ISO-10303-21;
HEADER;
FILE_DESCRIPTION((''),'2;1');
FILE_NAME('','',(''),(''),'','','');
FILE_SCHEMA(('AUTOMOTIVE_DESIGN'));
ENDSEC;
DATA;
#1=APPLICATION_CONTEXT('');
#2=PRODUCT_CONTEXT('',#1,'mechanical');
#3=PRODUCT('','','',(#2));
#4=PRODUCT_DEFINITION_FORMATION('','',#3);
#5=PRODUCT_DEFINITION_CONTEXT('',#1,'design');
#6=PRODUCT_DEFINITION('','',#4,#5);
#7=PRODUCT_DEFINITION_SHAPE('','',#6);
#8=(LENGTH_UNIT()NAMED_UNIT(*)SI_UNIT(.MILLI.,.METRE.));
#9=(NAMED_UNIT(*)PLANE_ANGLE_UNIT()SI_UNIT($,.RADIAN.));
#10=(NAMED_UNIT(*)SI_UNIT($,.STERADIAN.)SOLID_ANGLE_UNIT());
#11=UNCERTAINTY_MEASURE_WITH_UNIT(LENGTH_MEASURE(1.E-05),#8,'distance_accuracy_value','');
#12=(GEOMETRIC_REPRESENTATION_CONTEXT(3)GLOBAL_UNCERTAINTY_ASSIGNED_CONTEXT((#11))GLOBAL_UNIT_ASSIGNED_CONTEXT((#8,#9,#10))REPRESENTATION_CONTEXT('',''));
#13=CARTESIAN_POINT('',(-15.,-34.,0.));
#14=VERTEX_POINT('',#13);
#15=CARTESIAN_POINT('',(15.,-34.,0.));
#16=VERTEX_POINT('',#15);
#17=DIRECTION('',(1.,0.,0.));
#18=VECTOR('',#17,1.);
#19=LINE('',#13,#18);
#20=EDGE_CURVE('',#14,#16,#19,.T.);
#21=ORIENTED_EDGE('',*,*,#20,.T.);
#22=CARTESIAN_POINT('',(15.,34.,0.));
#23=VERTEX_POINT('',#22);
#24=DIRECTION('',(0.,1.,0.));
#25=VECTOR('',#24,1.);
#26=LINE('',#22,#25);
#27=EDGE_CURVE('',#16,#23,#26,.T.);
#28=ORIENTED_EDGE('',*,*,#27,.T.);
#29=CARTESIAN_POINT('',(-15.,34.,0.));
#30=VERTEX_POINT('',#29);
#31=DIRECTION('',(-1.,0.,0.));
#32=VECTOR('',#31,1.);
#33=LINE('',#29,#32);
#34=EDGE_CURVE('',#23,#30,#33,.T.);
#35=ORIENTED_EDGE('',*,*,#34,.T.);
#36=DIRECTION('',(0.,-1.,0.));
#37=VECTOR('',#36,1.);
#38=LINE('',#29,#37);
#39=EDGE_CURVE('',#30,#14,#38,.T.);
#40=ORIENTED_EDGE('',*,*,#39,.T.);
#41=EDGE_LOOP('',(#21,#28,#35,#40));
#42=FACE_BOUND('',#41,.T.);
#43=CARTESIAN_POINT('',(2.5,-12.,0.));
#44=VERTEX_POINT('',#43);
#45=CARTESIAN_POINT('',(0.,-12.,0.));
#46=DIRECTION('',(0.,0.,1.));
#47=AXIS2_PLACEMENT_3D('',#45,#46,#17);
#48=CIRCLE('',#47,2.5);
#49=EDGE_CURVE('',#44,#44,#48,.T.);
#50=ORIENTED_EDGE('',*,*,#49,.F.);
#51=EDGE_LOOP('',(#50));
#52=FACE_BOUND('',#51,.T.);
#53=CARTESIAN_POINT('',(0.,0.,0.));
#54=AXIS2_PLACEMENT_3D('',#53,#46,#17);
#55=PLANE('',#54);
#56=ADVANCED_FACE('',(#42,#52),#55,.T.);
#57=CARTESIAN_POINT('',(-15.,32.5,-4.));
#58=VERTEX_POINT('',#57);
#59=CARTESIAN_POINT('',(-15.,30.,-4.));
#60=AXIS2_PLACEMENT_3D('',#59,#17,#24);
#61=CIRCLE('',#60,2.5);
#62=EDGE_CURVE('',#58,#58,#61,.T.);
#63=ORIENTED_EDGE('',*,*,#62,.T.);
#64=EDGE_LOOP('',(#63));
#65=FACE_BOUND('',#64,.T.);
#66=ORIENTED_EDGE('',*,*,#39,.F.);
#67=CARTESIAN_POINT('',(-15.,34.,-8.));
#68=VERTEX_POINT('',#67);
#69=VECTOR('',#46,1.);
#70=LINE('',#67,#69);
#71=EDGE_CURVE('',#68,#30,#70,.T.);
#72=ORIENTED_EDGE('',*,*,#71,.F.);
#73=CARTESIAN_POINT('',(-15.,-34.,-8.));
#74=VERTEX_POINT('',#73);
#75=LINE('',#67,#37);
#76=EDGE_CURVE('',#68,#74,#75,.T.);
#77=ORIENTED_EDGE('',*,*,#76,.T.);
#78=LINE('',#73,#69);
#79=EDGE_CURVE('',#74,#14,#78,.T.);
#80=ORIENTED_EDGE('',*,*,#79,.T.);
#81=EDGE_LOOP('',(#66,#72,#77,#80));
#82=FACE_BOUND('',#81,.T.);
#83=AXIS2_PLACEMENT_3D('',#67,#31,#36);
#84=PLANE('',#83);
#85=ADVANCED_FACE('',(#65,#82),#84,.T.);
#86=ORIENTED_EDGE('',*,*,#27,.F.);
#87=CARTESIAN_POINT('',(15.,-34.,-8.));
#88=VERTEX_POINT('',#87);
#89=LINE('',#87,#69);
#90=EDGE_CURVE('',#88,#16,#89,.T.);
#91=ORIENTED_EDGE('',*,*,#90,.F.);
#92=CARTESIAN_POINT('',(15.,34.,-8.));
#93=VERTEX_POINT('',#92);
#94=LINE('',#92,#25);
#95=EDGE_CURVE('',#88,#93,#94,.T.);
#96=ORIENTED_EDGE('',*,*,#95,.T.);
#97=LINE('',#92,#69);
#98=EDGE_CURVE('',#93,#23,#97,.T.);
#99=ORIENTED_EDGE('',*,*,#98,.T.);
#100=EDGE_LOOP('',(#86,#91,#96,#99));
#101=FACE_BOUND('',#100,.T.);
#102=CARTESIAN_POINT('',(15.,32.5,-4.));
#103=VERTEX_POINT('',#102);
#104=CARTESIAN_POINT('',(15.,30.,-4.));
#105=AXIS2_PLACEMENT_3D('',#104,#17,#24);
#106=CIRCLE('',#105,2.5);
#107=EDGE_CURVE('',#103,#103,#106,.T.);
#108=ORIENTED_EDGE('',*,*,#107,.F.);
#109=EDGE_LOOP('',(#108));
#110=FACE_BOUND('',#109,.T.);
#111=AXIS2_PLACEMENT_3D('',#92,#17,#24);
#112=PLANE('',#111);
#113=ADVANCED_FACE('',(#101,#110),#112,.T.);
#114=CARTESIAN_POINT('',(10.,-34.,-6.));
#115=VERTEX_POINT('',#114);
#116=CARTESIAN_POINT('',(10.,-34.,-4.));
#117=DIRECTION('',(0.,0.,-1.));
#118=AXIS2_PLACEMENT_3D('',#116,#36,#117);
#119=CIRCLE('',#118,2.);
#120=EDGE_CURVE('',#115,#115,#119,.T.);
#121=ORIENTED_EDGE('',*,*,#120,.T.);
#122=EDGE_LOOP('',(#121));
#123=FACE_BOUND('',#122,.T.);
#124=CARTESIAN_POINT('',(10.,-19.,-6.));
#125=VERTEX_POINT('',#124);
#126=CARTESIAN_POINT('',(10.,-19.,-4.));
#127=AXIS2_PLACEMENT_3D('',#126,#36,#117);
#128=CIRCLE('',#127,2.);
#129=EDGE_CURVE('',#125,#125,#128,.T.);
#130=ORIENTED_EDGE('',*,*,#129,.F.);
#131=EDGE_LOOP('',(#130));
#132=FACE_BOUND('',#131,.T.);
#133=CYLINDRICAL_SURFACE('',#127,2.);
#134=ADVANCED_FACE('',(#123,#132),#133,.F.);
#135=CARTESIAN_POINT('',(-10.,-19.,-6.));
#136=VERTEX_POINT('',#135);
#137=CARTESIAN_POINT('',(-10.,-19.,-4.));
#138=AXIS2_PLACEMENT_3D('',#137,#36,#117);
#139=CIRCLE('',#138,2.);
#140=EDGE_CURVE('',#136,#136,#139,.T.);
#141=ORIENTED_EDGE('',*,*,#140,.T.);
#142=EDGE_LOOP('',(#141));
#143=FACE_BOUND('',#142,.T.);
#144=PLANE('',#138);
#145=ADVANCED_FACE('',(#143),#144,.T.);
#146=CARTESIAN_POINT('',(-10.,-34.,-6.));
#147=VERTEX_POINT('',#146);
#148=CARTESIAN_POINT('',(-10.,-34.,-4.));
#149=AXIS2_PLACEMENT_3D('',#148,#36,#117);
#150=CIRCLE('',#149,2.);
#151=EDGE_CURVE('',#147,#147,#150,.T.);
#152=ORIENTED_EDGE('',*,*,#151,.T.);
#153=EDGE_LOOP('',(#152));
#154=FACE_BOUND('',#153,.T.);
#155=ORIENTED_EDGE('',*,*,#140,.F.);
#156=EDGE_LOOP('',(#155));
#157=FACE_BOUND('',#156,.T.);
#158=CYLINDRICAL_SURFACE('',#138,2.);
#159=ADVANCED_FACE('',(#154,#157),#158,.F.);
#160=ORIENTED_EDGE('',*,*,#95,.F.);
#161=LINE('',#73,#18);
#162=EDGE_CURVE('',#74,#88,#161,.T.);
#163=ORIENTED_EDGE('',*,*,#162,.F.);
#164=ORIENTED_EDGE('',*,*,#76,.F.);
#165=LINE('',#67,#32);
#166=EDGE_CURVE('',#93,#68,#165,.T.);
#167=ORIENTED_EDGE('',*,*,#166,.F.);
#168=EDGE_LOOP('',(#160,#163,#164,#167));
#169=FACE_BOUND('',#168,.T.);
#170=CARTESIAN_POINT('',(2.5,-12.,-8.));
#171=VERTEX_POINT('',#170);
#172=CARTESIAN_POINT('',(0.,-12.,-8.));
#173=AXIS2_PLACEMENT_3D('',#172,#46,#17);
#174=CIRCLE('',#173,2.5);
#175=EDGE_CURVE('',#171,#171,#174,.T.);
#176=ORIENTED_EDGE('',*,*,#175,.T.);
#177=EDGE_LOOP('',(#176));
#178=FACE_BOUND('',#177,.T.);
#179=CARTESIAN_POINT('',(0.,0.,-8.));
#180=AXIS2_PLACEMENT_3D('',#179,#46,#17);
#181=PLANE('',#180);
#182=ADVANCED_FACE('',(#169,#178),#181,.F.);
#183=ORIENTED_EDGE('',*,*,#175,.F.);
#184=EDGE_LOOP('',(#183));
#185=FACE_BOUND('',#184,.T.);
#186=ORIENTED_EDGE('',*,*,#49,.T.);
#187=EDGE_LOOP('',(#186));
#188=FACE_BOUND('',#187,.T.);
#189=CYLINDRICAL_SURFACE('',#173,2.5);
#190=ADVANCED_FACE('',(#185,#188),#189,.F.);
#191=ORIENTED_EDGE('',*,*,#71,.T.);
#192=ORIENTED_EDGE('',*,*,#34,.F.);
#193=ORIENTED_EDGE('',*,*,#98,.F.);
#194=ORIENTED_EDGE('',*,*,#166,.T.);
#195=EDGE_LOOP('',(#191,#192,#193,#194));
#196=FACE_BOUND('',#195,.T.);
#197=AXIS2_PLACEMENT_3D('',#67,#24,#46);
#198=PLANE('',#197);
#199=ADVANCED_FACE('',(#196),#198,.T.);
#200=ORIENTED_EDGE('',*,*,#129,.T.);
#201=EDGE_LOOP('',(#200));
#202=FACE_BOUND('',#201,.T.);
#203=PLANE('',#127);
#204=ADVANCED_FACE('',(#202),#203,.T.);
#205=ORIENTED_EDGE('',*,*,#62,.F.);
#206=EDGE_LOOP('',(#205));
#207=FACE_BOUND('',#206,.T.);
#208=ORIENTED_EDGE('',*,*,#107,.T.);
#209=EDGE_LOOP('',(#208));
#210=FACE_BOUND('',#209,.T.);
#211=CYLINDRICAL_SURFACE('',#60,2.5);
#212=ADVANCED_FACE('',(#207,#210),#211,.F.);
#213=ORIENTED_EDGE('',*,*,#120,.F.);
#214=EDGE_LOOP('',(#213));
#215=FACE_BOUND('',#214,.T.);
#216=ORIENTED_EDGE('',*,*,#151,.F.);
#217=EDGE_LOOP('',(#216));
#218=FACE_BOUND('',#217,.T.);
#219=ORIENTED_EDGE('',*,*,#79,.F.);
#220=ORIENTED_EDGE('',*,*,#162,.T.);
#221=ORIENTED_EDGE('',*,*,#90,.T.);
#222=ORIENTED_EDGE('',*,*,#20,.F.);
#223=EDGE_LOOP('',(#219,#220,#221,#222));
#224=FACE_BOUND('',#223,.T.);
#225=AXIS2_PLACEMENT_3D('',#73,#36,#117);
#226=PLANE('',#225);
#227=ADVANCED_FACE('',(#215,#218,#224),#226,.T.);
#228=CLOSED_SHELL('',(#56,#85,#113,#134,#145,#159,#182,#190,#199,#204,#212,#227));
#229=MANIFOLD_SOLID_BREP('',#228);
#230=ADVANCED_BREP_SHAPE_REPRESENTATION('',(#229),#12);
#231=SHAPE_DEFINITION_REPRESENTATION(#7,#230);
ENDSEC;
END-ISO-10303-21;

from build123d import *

# Parameters (mm, degrees)
CROQUIS1_W              = 30
CROQUIS1_H              = 68
SALIENTE_EXTRUIR1_DEPTH = 8
CROQUIS2_R              = 2.5
CORTAR_EXTRUIR1_DEPTH   = 47.043457733
CROQUIS3_R              = 2
CORTAR_EXTRUIR2_DEPTH   = 15
CROQUIS4_R              = 2.5
CORTAR_EXTRUIR3_DEPTH   = 39.013155617


with BuildPart() as part:
    # Croquis1 → Saliente-Extruir1 (new body)
    with BuildSketch(Plane.XY):
        Rectangle(CROQUIS1_W, CROQUIS1_H)
    extrude(amount=-SALIENTE_EXTRUIR1_DEPTH)

    # Croquis2 → Cortar-Extruir1 (cut, through all)
    with BuildSketch(Plane(origin=(15, 0, 0), x_dir=(0, 0, -1), z_dir=(1, 0, 0))):
        with Locations(Location((4, 30, 0), (0, 0, 90))):
            Circle(CROQUIS2_R)
    extrude(amount=-CORTAR_EXTRUIR1_DEPTH, mode=Mode.SUBTRACT)

    # Croquis3 → Cortar-Extruir2 (cut)
    with BuildSketch(Plane.XZ.offset(34)):
        with Locations(Location((-10, -4, 0), (0, 0, 270))):
            Circle(CROQUIS3_R)
        with Locations(Location((10, -4, 0), (0, 0, 270))):
            Circle(CROQUIS3_R)
    extrude(amount=-CORTAR_EXTRUIR2_DEPTH, mode=Mode.SUBTRACT)

    # Croquis4 → Cortar-Extruir3 (cut, through all)
    with BuildSketch(Plane.XY):
        with Locations((0, -12)):
            Circle(CROQUIS4_R)
    extrude(amount=-CORTAR_EXTRUIR3_DEPTH, mode=Mode.SUBTRACT)


solid = part.part
